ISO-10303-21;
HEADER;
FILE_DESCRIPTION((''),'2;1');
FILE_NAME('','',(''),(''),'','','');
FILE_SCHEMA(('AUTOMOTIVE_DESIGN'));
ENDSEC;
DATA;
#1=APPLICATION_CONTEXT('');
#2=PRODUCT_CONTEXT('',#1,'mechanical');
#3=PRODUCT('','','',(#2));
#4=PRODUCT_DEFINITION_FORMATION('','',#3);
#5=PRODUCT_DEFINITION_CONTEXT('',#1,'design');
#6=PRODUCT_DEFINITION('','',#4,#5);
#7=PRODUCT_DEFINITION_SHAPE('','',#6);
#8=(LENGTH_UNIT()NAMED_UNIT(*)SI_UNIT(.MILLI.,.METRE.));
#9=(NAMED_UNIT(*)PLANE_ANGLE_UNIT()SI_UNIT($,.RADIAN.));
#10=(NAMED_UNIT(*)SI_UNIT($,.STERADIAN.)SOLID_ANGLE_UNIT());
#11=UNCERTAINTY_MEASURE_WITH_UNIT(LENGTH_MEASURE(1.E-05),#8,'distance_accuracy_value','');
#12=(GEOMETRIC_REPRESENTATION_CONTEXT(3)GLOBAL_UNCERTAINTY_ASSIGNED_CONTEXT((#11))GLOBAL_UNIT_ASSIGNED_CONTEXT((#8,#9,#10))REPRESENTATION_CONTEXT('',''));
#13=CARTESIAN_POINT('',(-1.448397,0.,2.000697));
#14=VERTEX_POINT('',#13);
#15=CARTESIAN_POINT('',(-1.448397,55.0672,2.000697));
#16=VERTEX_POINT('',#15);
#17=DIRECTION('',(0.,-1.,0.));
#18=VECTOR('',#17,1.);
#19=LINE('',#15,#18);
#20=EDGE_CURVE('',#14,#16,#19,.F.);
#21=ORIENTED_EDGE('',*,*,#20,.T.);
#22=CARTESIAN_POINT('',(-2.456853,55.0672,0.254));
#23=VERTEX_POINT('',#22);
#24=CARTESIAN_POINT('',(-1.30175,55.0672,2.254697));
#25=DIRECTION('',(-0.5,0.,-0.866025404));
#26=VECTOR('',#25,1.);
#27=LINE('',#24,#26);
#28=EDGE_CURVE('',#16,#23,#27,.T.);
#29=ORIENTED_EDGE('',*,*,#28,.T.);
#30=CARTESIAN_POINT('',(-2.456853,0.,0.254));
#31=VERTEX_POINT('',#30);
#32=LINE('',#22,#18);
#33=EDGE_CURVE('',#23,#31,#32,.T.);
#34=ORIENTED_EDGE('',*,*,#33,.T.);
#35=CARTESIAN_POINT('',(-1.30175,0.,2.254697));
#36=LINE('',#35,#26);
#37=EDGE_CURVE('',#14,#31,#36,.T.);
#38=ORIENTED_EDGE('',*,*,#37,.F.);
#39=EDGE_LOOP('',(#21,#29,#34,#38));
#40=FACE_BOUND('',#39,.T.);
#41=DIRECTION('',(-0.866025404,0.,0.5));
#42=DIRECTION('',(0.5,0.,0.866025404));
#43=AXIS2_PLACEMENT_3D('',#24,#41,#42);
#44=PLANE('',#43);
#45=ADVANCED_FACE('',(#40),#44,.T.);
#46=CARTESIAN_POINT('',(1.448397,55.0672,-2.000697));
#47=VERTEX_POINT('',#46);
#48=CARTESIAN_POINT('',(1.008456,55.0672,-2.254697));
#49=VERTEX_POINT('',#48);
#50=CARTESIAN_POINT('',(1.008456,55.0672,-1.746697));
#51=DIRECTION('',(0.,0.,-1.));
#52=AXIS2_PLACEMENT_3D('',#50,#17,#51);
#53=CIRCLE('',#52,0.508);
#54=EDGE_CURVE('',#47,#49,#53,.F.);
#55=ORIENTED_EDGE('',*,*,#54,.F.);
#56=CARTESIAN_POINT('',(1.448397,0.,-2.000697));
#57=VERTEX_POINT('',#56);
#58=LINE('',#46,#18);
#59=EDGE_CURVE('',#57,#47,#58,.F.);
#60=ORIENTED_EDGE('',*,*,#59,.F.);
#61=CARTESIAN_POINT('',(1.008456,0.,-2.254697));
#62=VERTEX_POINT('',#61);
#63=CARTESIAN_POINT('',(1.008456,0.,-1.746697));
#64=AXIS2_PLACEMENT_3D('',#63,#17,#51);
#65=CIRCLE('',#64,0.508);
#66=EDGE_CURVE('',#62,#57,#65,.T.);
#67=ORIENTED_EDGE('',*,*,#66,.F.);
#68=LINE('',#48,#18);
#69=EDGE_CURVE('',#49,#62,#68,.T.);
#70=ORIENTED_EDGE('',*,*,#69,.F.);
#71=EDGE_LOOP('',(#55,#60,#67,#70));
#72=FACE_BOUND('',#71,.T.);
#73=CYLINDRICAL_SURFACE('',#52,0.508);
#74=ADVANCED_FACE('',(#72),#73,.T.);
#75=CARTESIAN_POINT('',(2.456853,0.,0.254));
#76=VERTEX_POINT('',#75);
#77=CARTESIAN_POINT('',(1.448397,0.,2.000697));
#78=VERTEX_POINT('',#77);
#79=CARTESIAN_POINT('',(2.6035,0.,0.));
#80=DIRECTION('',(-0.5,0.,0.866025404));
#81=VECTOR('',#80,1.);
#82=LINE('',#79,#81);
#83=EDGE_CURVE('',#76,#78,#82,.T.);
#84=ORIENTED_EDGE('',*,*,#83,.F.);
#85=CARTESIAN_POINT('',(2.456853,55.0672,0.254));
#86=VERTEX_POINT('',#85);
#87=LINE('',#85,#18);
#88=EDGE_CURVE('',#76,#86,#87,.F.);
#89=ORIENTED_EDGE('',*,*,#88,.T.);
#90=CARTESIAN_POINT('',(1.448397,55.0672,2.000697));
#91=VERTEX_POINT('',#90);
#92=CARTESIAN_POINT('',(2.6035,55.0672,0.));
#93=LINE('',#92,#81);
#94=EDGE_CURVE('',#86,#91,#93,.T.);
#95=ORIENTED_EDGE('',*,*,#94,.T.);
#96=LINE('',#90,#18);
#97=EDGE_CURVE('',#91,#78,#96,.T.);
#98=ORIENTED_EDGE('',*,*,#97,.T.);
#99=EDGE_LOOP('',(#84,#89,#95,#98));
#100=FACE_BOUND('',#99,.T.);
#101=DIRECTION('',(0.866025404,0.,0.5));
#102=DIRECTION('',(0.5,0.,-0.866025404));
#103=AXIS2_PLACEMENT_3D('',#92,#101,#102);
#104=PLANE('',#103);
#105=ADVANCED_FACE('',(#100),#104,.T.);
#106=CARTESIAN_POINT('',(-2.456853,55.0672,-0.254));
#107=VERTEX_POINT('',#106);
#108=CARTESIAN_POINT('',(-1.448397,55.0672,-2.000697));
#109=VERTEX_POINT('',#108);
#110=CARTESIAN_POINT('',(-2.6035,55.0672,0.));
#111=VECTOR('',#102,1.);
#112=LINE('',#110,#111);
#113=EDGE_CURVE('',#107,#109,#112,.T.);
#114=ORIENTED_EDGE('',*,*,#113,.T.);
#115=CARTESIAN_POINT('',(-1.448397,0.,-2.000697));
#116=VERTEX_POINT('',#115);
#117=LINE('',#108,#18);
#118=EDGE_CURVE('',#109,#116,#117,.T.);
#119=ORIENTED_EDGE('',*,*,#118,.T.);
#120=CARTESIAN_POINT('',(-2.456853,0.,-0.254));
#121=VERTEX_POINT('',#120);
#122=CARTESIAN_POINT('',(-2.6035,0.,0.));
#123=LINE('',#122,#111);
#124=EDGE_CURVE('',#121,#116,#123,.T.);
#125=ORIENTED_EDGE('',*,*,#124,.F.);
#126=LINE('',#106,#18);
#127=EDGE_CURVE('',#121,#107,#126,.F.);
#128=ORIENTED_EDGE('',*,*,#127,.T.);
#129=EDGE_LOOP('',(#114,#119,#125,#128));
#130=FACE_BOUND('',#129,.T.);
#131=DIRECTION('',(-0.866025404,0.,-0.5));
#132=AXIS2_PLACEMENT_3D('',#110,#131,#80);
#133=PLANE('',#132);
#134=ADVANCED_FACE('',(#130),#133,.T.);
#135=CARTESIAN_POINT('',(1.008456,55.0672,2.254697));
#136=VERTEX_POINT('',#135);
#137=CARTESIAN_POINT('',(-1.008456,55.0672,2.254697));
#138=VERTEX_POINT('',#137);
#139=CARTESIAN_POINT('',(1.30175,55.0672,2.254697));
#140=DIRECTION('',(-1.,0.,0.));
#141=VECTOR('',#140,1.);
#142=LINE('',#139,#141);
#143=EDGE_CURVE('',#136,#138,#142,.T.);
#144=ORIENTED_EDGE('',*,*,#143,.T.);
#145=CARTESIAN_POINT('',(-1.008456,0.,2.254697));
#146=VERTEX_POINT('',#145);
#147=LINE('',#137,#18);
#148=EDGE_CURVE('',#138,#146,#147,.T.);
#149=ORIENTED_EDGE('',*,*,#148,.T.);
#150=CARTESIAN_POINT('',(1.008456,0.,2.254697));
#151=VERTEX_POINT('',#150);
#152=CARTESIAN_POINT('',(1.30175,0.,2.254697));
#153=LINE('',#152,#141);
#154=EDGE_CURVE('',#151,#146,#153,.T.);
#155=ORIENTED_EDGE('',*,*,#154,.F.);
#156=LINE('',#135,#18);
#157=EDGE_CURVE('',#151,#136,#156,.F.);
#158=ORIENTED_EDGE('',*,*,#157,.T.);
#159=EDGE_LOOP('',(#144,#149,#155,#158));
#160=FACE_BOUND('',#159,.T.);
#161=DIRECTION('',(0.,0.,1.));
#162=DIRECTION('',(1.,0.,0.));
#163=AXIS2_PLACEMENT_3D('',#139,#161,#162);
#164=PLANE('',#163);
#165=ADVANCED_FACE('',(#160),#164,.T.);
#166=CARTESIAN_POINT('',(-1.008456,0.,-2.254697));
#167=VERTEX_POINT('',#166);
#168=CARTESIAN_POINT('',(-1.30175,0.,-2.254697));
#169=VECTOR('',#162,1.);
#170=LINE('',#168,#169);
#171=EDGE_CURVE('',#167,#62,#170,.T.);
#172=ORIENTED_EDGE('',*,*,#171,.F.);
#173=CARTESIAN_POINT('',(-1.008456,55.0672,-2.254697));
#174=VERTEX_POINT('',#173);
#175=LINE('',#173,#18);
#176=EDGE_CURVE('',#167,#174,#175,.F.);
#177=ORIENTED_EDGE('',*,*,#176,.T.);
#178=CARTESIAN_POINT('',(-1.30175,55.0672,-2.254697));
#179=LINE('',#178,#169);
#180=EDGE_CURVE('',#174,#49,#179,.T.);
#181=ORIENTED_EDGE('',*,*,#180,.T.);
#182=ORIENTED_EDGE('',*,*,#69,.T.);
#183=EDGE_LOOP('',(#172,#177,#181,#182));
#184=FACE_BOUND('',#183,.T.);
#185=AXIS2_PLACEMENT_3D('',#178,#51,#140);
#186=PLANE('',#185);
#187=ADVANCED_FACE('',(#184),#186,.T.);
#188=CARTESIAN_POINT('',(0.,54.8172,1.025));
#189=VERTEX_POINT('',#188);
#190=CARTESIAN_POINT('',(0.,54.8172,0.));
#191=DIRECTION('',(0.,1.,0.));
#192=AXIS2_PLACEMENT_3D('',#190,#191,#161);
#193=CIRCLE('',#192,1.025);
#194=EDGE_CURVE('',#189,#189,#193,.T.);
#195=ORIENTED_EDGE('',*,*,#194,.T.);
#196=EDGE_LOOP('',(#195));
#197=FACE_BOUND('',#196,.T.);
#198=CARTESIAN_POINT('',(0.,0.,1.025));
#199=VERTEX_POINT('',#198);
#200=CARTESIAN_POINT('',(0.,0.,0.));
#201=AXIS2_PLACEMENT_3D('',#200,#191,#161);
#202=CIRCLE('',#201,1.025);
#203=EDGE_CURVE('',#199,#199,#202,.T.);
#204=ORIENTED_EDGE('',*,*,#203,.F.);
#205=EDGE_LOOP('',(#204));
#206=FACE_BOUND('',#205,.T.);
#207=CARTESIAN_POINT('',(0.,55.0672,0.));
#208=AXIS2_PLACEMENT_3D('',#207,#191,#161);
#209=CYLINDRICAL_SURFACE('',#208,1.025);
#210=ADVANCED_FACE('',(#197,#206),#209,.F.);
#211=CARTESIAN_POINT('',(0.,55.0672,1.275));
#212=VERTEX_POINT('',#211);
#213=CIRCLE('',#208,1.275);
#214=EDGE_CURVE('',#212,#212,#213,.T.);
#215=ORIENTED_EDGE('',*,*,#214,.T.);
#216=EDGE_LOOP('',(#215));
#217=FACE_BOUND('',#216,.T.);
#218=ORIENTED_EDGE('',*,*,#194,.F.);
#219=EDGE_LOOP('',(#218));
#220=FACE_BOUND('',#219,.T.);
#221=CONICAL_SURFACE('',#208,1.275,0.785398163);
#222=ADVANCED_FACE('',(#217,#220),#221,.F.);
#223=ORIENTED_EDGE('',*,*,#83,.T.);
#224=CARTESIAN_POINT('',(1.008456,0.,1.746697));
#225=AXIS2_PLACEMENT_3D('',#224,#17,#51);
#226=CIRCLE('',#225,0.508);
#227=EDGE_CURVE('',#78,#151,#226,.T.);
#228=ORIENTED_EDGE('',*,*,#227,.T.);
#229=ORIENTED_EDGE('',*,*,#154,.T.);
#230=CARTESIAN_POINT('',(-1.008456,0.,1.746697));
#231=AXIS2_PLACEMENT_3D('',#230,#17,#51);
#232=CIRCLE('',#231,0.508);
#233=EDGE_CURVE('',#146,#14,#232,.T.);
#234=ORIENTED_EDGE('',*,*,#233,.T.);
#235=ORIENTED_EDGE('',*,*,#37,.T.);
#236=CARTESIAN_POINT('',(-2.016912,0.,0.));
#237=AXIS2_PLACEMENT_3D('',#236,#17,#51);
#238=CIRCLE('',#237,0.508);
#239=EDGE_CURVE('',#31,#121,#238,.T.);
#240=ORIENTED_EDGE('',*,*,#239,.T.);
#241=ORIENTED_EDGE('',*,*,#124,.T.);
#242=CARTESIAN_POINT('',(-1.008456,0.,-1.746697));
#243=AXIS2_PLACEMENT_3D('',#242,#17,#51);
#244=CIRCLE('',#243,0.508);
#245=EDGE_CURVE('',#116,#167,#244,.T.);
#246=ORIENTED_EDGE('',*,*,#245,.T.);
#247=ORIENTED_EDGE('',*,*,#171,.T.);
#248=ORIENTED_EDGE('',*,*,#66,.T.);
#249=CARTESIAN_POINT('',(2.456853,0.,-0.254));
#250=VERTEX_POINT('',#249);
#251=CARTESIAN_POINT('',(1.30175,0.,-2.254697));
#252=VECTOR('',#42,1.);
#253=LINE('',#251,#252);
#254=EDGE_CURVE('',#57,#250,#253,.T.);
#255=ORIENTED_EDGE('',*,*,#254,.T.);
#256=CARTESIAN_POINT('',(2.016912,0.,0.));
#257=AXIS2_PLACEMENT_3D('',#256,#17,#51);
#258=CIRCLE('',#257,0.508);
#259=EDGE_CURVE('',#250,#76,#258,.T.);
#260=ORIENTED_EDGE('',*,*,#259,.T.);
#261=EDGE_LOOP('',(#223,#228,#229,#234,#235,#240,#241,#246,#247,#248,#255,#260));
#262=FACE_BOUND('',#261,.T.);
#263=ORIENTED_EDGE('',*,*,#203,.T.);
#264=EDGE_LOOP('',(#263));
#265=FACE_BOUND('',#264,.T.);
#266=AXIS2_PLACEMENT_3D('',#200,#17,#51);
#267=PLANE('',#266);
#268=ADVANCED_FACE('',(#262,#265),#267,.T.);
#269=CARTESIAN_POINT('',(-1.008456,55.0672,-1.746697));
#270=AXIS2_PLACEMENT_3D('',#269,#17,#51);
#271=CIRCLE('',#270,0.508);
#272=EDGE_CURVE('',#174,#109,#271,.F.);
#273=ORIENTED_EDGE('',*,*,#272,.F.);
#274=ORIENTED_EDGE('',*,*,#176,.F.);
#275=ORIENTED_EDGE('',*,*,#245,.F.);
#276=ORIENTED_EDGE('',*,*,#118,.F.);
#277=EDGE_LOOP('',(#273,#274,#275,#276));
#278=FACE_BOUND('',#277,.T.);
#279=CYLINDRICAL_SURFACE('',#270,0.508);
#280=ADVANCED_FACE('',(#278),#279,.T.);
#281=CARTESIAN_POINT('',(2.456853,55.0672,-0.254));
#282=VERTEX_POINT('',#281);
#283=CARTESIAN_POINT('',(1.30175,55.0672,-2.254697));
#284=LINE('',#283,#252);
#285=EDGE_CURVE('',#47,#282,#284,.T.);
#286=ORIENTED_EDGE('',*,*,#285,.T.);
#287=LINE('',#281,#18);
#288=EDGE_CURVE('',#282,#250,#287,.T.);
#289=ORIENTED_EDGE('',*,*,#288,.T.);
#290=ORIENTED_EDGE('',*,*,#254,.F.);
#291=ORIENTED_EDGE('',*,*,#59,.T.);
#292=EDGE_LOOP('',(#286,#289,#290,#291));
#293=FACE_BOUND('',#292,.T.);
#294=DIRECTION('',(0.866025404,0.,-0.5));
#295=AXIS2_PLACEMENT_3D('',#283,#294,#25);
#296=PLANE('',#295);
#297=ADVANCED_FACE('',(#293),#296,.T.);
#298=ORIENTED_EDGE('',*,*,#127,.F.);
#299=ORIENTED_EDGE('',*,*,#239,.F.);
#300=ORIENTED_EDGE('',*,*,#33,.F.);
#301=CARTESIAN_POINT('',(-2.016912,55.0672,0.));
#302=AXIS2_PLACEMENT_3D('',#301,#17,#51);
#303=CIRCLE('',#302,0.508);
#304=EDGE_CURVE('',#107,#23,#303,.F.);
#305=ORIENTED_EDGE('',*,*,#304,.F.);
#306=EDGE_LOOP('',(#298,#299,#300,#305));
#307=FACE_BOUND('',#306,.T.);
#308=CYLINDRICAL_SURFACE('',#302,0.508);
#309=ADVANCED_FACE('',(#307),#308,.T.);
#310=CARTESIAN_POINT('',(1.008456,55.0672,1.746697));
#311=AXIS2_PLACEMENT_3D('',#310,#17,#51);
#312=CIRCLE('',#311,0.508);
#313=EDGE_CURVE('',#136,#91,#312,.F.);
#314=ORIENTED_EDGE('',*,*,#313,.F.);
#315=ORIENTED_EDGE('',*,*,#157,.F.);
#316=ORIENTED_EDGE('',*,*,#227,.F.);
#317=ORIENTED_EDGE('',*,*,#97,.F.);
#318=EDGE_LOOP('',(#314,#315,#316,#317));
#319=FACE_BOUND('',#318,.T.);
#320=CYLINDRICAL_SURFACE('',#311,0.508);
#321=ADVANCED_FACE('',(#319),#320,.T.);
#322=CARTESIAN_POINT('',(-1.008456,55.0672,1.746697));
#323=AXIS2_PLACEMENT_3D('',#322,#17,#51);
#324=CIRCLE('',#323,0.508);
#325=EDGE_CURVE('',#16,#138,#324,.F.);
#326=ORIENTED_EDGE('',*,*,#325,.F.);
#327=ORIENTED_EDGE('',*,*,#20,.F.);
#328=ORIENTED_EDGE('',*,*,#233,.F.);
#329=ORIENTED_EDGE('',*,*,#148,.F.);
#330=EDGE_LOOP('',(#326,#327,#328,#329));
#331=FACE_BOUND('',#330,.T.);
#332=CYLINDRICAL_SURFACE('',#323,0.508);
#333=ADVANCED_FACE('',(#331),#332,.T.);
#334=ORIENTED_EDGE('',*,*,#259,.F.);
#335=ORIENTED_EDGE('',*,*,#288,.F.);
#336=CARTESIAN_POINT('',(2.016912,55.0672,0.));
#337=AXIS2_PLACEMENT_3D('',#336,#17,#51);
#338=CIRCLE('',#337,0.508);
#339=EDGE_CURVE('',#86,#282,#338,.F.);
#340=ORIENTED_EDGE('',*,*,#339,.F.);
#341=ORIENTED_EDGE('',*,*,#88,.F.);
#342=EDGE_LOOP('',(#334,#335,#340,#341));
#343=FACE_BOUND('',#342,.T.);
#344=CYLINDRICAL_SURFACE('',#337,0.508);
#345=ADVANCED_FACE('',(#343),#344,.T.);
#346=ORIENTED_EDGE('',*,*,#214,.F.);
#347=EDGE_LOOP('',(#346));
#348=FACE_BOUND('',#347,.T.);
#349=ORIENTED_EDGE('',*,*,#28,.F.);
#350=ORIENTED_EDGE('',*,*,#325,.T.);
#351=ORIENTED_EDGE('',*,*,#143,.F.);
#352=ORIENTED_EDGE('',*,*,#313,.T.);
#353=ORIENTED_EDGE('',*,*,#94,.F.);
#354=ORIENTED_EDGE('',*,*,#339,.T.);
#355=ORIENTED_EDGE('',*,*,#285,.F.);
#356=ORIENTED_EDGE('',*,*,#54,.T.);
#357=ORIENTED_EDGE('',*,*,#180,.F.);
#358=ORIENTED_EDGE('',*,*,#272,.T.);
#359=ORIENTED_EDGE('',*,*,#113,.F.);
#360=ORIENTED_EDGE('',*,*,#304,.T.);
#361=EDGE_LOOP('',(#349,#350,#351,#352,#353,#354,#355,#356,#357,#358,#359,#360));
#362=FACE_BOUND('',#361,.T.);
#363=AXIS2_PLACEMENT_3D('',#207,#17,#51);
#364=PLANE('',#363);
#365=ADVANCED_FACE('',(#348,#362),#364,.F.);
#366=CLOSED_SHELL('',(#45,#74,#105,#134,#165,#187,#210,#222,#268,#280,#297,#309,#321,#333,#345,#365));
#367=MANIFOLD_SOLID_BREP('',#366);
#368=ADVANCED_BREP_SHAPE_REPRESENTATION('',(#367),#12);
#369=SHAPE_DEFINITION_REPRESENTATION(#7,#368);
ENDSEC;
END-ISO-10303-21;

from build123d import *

# Parameters (mm, degrees)
BOSS_EXTRUDE1_DEPTH                = 55.0672
FILLET1_R                          = 0.508
M2_5X0_45_TAPPED_HOLE1_D           = 2.05
M2_5X0_45_TAPPED_HOLE1_CSINK_D     = 2.55
M2_5X0_45_TAPPED_HOLE1_CSINK_ANGLE = 90


with BuildPart() as part:
    # Sketch1 → Boss-Extrude1 (new body)
    with BuildSketch(Plane(origin=(0, 0, 0), x_dir=(1, 0, 0), z_dir=(0, 1, 0))):
        Polygon((-2.6035, 0), (-1.30175, 2.254697139), (1.30175, 2.254697139), (2.6035, 0), (1.30175, -2.254697139), (-1.30175, -2.254697139), align=None)
    extrude(amount=BOSS_EXTRUDE1_DEPTH)

    # Fillet1
    fillet1_edges = [part.edges().sort_by_distance(p)[0] for p in [
        (-2.6035, 27.5336, 0),
        (-1.30175, 27.5336, 2.254697139),
        (1.30175, 27.5336, 2.254697139),
        (2.6035, 27.5336, 0),
        (1.30175, 27.5336, -2.254697139),
        (-1.30175, 27.5336, -2.254697139),
    ]]
    fillet(fillet1_edges, radius=FILLET1_R)

    # M2.5x0.45 Tapped Hole1 (through all)
    with Locations(Plane.ZX.offset(55.0672)):
        with Locations((0, 0)):
            CounterSinkHole(M2_5X0_45_TAPPED_HOLE1_D / 2, M2_5X0_45_TAPPED_HOLE1_CSINK_D / 2, counter_sink_angle=M2_5X0_45_TAPPED_HOLE1_CSINK_ANGLE)


solid = part.part
